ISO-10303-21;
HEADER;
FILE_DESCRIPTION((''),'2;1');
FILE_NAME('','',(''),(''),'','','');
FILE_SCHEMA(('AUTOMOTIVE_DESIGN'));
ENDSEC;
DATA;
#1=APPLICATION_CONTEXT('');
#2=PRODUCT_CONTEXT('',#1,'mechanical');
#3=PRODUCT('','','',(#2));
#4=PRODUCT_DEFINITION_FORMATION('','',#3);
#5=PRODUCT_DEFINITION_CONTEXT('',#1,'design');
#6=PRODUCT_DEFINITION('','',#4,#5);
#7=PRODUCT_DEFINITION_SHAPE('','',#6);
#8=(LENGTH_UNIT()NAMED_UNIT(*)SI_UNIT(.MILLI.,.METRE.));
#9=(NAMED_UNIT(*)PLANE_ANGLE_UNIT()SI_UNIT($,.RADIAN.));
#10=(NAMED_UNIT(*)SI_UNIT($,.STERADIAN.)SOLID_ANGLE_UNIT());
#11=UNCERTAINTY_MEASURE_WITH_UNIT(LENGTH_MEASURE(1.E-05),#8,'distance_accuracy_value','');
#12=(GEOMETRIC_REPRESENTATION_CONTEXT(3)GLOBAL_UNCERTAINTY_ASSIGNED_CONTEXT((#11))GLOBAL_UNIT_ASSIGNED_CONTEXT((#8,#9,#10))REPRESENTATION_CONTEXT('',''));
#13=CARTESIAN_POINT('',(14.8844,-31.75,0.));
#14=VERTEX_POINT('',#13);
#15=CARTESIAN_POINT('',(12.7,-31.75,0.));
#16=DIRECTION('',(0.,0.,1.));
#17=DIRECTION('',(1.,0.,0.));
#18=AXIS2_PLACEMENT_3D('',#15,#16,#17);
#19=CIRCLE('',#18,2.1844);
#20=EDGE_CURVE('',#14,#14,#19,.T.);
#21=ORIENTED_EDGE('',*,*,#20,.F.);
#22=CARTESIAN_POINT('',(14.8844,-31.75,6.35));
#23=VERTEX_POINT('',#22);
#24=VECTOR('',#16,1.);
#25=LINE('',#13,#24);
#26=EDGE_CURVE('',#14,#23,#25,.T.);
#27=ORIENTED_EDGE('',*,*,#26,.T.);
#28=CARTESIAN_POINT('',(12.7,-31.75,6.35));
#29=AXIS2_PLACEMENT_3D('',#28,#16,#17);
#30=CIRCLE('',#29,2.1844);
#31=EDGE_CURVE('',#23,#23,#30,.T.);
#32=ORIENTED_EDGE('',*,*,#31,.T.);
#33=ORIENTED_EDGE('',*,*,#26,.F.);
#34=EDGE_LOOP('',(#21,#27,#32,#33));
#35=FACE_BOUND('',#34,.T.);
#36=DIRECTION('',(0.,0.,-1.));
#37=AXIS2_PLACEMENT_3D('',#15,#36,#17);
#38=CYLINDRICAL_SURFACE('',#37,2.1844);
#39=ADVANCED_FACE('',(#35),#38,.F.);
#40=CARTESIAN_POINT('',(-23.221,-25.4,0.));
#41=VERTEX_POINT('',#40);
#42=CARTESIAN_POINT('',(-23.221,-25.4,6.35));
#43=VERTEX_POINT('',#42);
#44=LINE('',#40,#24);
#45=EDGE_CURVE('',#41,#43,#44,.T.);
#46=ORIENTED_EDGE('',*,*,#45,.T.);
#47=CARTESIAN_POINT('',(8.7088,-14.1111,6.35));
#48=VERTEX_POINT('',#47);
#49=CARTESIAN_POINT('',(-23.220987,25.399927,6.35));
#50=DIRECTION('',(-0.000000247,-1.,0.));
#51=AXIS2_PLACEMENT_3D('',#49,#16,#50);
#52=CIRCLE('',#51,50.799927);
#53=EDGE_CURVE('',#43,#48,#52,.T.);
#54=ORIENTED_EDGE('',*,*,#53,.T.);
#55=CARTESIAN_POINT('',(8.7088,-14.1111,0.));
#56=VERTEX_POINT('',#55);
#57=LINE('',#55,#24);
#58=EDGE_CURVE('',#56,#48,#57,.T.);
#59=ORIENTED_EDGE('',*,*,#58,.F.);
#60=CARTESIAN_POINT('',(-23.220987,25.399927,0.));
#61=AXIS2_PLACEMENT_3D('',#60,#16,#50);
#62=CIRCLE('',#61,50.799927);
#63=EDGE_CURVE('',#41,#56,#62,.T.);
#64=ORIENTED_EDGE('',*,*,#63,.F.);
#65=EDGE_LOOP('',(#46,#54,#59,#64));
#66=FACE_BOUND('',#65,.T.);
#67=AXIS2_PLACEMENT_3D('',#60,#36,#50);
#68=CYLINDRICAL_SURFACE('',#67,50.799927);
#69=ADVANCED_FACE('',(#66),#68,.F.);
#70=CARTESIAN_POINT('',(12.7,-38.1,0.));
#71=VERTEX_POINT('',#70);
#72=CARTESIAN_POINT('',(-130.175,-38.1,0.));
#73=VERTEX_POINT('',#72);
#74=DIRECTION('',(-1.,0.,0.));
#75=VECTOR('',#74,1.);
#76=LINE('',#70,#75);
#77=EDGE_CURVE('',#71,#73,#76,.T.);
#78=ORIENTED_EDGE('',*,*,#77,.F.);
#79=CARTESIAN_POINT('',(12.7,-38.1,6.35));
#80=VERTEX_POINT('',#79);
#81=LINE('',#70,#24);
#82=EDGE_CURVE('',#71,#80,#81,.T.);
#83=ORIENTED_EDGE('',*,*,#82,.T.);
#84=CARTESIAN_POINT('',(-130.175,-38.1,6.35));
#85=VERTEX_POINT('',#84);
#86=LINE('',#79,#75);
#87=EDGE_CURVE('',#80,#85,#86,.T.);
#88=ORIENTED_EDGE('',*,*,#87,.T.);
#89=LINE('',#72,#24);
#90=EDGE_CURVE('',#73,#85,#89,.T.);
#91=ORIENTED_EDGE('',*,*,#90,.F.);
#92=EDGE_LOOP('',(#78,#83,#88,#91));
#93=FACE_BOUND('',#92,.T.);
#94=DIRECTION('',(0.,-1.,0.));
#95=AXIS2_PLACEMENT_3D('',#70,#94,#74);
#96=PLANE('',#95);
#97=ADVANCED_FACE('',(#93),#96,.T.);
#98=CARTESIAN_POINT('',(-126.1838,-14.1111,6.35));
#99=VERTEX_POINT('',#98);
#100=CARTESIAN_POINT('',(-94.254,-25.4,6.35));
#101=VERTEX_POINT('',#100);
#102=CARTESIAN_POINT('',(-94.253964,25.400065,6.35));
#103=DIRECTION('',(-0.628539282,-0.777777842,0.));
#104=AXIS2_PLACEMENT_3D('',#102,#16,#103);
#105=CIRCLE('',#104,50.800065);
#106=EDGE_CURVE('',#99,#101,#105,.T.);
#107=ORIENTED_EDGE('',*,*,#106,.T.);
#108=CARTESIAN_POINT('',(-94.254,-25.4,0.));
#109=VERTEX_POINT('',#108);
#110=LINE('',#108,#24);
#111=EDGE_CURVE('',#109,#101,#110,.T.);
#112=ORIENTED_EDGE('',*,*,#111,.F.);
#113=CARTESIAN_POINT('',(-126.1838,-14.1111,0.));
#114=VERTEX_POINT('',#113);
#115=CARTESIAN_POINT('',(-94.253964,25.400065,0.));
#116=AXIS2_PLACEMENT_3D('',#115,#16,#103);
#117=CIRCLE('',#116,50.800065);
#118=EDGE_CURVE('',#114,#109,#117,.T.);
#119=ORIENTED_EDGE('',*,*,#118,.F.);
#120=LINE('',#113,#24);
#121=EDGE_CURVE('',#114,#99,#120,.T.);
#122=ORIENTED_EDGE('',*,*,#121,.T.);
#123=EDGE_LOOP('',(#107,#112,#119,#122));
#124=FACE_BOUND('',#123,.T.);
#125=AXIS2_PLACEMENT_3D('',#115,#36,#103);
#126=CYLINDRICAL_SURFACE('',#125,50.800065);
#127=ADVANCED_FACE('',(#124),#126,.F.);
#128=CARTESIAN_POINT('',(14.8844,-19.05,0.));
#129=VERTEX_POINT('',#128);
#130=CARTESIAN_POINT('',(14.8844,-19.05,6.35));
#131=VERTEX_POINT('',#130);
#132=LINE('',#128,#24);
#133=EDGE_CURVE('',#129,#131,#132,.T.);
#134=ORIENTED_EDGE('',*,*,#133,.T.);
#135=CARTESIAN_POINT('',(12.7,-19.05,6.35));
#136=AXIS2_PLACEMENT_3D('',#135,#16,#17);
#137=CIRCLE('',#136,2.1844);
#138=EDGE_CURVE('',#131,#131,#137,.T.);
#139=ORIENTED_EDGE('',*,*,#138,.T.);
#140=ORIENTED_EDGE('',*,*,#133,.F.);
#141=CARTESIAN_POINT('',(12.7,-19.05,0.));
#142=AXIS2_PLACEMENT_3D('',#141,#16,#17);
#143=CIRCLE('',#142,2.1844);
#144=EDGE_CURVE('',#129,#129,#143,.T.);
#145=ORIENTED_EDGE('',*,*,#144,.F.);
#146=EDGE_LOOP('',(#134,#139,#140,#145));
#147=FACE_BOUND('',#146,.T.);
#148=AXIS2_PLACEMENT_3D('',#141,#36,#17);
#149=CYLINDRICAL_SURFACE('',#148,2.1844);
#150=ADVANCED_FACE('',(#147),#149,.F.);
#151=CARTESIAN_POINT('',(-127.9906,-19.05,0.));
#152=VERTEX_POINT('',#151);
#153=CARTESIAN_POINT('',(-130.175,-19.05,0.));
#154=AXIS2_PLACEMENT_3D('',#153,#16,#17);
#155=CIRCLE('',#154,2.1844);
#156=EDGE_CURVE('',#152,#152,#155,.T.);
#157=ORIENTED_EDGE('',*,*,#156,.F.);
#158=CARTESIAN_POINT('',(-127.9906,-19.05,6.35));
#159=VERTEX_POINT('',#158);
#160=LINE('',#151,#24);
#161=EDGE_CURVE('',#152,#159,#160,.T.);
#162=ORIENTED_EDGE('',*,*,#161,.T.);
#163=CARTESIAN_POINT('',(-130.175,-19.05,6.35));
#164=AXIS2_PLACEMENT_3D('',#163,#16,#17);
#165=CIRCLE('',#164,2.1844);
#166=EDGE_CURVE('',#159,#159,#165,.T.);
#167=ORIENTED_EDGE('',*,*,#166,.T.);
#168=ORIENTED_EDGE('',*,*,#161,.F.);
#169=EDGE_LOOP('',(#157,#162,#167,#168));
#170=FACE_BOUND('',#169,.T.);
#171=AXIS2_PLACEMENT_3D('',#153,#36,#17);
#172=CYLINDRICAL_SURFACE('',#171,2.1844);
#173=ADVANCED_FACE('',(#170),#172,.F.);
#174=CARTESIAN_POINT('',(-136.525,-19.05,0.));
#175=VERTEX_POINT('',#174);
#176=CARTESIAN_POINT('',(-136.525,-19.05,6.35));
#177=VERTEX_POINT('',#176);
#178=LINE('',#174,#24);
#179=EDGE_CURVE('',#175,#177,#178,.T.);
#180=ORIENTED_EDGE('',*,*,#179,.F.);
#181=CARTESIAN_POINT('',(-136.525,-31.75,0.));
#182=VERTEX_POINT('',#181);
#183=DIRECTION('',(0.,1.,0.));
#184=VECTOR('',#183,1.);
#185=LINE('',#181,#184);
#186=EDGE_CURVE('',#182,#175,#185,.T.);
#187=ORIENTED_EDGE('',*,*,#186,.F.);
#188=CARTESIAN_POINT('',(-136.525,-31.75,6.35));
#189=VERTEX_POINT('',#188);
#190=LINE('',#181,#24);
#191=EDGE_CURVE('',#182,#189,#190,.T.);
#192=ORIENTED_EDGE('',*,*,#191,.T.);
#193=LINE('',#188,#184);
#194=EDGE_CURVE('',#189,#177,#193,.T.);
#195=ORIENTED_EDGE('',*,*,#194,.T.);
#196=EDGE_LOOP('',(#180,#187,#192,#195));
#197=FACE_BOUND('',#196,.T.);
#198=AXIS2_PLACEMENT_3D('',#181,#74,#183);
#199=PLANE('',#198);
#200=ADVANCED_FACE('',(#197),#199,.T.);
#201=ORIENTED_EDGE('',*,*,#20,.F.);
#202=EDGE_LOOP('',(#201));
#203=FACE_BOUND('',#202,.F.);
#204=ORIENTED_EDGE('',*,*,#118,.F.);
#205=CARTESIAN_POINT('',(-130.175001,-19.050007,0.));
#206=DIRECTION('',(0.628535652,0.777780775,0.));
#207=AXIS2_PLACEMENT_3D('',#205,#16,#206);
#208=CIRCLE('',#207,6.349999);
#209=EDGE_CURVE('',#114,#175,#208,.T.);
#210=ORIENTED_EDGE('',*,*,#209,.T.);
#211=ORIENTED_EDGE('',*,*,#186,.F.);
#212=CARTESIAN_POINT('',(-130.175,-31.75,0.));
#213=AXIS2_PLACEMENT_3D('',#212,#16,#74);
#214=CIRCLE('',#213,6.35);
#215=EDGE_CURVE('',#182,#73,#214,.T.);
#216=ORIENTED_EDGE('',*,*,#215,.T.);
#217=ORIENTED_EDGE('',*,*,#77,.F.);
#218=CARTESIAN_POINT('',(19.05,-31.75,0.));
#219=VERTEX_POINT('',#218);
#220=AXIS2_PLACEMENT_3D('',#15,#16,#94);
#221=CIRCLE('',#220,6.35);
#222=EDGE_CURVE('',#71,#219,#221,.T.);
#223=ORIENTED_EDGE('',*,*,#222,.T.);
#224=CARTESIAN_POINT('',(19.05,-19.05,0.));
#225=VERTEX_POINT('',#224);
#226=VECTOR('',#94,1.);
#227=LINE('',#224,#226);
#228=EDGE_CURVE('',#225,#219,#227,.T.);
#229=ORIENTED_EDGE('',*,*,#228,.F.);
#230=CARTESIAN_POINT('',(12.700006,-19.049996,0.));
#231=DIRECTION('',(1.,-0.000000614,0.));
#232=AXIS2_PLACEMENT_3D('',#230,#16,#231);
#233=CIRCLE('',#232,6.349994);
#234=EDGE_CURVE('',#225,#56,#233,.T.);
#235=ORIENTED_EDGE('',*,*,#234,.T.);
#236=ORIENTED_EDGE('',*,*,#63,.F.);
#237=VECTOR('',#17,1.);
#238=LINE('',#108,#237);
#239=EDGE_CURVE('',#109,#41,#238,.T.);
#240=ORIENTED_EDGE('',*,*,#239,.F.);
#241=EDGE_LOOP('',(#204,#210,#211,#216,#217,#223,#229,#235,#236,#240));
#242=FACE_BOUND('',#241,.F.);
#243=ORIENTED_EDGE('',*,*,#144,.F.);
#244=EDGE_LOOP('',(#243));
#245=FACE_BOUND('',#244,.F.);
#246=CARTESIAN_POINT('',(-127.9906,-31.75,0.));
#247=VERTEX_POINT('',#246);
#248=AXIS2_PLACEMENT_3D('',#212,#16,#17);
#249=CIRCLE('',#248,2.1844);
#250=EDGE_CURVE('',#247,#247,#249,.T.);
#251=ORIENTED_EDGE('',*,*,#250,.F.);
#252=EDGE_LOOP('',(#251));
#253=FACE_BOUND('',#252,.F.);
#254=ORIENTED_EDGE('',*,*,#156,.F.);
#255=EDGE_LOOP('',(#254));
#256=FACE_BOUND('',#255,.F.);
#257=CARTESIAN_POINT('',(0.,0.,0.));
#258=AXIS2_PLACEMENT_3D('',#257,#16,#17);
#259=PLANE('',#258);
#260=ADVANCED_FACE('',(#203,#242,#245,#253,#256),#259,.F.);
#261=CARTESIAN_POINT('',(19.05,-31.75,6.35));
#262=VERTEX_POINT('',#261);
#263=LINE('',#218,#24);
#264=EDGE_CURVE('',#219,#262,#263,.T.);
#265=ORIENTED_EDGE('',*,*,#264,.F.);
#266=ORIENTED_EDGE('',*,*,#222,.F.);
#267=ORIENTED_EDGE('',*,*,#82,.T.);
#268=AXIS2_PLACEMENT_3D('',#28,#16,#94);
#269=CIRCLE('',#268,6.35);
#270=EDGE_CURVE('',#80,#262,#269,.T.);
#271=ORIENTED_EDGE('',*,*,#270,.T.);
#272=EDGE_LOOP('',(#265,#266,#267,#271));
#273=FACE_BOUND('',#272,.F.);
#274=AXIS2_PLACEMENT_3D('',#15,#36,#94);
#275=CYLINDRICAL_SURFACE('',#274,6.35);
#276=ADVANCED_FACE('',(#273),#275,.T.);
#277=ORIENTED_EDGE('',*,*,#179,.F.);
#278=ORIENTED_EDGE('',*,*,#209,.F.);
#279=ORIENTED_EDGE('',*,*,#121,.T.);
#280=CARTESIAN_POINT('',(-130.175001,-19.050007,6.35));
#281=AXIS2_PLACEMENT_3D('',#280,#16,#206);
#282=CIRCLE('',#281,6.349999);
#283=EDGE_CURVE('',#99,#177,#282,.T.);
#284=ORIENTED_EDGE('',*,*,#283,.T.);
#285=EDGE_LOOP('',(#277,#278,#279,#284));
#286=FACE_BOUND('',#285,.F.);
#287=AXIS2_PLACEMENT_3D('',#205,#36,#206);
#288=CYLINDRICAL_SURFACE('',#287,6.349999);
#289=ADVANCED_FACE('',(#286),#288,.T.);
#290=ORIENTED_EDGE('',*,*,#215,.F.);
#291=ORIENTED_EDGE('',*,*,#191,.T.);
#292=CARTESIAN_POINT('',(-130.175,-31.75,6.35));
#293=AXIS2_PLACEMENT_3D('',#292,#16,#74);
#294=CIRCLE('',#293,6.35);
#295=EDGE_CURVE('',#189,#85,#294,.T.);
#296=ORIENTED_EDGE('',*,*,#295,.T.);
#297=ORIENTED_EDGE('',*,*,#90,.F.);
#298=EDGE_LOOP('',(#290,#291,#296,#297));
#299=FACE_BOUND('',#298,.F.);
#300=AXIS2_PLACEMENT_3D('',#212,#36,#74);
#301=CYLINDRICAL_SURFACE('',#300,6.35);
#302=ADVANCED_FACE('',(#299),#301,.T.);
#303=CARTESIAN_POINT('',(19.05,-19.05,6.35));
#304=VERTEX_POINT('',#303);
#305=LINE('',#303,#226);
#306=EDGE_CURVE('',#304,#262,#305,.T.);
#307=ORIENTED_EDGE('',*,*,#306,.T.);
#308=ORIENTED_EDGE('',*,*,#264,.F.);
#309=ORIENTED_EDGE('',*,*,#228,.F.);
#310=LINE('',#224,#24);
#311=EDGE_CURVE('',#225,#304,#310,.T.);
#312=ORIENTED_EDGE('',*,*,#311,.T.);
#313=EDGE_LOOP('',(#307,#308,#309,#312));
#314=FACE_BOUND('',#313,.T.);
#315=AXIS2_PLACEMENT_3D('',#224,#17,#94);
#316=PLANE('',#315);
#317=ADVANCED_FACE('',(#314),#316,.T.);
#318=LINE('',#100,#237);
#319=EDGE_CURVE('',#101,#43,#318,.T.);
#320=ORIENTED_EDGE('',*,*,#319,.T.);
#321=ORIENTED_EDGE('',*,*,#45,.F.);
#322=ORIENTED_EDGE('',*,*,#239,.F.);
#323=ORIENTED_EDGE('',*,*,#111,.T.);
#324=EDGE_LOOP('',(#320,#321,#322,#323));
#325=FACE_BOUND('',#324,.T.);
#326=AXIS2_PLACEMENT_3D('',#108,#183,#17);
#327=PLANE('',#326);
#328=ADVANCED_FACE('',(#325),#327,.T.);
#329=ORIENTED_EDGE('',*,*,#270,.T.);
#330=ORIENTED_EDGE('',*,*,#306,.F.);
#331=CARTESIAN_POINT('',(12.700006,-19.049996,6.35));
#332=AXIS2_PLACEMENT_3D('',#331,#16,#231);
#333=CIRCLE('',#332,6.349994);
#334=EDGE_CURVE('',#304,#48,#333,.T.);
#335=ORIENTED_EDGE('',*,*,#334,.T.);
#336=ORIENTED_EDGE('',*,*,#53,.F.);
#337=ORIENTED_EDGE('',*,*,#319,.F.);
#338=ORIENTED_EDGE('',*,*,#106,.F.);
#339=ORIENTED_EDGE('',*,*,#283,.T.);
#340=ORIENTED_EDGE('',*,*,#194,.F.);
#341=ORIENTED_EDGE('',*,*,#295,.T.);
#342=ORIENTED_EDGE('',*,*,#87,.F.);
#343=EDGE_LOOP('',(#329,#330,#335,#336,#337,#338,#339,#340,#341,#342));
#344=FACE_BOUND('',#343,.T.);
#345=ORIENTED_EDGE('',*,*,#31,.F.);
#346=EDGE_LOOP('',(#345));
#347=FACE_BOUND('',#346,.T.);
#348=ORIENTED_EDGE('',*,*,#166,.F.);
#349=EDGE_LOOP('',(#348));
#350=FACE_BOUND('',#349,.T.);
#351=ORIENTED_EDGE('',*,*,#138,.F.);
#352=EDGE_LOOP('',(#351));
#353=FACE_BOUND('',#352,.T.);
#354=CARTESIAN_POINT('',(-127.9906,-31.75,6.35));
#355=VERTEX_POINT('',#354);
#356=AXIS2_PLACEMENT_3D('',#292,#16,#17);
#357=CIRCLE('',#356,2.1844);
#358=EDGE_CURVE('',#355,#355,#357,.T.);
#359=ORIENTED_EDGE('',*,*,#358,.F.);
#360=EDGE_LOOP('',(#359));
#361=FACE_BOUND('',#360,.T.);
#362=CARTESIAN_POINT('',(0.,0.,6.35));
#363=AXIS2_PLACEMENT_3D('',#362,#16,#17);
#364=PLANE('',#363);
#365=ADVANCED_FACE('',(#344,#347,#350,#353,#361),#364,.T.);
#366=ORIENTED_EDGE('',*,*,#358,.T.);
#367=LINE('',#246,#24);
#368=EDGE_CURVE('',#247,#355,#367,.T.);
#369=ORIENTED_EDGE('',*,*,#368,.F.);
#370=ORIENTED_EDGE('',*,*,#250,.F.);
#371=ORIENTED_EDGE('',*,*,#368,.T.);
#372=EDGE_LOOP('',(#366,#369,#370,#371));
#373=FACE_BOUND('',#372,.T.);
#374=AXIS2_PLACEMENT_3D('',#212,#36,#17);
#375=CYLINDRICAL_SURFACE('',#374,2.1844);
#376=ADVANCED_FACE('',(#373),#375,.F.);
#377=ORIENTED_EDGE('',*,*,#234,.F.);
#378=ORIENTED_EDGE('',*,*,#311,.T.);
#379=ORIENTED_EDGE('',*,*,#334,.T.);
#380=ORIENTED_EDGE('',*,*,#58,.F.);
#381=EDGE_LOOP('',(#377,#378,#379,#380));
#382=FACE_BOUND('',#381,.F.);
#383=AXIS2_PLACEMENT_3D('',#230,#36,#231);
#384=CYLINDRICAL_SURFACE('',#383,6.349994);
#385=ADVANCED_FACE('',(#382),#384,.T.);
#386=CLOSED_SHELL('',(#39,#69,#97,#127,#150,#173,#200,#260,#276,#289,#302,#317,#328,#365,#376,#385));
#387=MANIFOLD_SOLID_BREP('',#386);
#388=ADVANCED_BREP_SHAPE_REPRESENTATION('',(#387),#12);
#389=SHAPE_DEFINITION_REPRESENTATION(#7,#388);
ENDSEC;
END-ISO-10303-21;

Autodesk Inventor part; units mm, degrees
ref_plane "YZ Plane" through (0, 0, 0) normal (1, 0, 0) x (0, 1, 0)
ref_plane "XZ Plane" through (0, 0, 0) normal (0, 1, 0) x (-1, 0, 0)
ref_plane "XY Plane" through (0, 0, 0) normal (0, 0, 1) x (1, 0, 0)
sketch "Sketch1" plane through (0, 0, 0) normal (0, 0, 1) x (1, 0, 0)
  circle A0 centre (12.7, -31.75) radius 2.1844 projected
  circle A1 centre (-130.175, -31.75) radius 2.1844 projected
  circle A2 centre (-130.175, -19.05) radius 2.1844 projected
  circle A3 centre (12.7, -19.05) radius 2.1844 projected
  line L0 (12.7, -38.1) -> (-130.175, -38.1)
  line L1 (-136.525, -31.75) -> (-136.525, -19.05)
  line L2 (19.05, -19.05) -> (19.05, -31.75)
  arc A4 (-126.1838, -14.1111) -> (-136.525, -19.05) centre (-130.175, -19.05) ccw
  arc A5 (19.05, -19.05) -> (8.7088, -14.1111) centre (12.7, -19.05) ccw
  arc A6 (-23.221, -25.4) -> (8.7088, -14.1111) centre (-23.221, 25.4) ccw
  arc A7 (-126.1838, -14.1111) -> (-94.254, -25.4) centre (-94.254, 25.4) ccw
  arc A8 (12.7, -38.1) -> (19.05, -31.75) centre (12.7, -31.75) ccw
  arc A9 (-136.525, -31.75) -> (-130.175, -38.1) centre (-130.175, -31.75) ccw
  line L3 (-94.254, -25.4) -> (-23.221, -25.4)
  point P0 (0, 0)
  dimension "d0" = 12.7
  dimension "d1" = 6.35
  dimension "d2" = 6.35
  dimension "d3" = 12.7
  dimension "d4" = 50.8
  dimension "d6" = 6.35
extrude "Extrusion1" add sketch "Sketch1" along normal blind 6.35
properties part number "parkbar"
